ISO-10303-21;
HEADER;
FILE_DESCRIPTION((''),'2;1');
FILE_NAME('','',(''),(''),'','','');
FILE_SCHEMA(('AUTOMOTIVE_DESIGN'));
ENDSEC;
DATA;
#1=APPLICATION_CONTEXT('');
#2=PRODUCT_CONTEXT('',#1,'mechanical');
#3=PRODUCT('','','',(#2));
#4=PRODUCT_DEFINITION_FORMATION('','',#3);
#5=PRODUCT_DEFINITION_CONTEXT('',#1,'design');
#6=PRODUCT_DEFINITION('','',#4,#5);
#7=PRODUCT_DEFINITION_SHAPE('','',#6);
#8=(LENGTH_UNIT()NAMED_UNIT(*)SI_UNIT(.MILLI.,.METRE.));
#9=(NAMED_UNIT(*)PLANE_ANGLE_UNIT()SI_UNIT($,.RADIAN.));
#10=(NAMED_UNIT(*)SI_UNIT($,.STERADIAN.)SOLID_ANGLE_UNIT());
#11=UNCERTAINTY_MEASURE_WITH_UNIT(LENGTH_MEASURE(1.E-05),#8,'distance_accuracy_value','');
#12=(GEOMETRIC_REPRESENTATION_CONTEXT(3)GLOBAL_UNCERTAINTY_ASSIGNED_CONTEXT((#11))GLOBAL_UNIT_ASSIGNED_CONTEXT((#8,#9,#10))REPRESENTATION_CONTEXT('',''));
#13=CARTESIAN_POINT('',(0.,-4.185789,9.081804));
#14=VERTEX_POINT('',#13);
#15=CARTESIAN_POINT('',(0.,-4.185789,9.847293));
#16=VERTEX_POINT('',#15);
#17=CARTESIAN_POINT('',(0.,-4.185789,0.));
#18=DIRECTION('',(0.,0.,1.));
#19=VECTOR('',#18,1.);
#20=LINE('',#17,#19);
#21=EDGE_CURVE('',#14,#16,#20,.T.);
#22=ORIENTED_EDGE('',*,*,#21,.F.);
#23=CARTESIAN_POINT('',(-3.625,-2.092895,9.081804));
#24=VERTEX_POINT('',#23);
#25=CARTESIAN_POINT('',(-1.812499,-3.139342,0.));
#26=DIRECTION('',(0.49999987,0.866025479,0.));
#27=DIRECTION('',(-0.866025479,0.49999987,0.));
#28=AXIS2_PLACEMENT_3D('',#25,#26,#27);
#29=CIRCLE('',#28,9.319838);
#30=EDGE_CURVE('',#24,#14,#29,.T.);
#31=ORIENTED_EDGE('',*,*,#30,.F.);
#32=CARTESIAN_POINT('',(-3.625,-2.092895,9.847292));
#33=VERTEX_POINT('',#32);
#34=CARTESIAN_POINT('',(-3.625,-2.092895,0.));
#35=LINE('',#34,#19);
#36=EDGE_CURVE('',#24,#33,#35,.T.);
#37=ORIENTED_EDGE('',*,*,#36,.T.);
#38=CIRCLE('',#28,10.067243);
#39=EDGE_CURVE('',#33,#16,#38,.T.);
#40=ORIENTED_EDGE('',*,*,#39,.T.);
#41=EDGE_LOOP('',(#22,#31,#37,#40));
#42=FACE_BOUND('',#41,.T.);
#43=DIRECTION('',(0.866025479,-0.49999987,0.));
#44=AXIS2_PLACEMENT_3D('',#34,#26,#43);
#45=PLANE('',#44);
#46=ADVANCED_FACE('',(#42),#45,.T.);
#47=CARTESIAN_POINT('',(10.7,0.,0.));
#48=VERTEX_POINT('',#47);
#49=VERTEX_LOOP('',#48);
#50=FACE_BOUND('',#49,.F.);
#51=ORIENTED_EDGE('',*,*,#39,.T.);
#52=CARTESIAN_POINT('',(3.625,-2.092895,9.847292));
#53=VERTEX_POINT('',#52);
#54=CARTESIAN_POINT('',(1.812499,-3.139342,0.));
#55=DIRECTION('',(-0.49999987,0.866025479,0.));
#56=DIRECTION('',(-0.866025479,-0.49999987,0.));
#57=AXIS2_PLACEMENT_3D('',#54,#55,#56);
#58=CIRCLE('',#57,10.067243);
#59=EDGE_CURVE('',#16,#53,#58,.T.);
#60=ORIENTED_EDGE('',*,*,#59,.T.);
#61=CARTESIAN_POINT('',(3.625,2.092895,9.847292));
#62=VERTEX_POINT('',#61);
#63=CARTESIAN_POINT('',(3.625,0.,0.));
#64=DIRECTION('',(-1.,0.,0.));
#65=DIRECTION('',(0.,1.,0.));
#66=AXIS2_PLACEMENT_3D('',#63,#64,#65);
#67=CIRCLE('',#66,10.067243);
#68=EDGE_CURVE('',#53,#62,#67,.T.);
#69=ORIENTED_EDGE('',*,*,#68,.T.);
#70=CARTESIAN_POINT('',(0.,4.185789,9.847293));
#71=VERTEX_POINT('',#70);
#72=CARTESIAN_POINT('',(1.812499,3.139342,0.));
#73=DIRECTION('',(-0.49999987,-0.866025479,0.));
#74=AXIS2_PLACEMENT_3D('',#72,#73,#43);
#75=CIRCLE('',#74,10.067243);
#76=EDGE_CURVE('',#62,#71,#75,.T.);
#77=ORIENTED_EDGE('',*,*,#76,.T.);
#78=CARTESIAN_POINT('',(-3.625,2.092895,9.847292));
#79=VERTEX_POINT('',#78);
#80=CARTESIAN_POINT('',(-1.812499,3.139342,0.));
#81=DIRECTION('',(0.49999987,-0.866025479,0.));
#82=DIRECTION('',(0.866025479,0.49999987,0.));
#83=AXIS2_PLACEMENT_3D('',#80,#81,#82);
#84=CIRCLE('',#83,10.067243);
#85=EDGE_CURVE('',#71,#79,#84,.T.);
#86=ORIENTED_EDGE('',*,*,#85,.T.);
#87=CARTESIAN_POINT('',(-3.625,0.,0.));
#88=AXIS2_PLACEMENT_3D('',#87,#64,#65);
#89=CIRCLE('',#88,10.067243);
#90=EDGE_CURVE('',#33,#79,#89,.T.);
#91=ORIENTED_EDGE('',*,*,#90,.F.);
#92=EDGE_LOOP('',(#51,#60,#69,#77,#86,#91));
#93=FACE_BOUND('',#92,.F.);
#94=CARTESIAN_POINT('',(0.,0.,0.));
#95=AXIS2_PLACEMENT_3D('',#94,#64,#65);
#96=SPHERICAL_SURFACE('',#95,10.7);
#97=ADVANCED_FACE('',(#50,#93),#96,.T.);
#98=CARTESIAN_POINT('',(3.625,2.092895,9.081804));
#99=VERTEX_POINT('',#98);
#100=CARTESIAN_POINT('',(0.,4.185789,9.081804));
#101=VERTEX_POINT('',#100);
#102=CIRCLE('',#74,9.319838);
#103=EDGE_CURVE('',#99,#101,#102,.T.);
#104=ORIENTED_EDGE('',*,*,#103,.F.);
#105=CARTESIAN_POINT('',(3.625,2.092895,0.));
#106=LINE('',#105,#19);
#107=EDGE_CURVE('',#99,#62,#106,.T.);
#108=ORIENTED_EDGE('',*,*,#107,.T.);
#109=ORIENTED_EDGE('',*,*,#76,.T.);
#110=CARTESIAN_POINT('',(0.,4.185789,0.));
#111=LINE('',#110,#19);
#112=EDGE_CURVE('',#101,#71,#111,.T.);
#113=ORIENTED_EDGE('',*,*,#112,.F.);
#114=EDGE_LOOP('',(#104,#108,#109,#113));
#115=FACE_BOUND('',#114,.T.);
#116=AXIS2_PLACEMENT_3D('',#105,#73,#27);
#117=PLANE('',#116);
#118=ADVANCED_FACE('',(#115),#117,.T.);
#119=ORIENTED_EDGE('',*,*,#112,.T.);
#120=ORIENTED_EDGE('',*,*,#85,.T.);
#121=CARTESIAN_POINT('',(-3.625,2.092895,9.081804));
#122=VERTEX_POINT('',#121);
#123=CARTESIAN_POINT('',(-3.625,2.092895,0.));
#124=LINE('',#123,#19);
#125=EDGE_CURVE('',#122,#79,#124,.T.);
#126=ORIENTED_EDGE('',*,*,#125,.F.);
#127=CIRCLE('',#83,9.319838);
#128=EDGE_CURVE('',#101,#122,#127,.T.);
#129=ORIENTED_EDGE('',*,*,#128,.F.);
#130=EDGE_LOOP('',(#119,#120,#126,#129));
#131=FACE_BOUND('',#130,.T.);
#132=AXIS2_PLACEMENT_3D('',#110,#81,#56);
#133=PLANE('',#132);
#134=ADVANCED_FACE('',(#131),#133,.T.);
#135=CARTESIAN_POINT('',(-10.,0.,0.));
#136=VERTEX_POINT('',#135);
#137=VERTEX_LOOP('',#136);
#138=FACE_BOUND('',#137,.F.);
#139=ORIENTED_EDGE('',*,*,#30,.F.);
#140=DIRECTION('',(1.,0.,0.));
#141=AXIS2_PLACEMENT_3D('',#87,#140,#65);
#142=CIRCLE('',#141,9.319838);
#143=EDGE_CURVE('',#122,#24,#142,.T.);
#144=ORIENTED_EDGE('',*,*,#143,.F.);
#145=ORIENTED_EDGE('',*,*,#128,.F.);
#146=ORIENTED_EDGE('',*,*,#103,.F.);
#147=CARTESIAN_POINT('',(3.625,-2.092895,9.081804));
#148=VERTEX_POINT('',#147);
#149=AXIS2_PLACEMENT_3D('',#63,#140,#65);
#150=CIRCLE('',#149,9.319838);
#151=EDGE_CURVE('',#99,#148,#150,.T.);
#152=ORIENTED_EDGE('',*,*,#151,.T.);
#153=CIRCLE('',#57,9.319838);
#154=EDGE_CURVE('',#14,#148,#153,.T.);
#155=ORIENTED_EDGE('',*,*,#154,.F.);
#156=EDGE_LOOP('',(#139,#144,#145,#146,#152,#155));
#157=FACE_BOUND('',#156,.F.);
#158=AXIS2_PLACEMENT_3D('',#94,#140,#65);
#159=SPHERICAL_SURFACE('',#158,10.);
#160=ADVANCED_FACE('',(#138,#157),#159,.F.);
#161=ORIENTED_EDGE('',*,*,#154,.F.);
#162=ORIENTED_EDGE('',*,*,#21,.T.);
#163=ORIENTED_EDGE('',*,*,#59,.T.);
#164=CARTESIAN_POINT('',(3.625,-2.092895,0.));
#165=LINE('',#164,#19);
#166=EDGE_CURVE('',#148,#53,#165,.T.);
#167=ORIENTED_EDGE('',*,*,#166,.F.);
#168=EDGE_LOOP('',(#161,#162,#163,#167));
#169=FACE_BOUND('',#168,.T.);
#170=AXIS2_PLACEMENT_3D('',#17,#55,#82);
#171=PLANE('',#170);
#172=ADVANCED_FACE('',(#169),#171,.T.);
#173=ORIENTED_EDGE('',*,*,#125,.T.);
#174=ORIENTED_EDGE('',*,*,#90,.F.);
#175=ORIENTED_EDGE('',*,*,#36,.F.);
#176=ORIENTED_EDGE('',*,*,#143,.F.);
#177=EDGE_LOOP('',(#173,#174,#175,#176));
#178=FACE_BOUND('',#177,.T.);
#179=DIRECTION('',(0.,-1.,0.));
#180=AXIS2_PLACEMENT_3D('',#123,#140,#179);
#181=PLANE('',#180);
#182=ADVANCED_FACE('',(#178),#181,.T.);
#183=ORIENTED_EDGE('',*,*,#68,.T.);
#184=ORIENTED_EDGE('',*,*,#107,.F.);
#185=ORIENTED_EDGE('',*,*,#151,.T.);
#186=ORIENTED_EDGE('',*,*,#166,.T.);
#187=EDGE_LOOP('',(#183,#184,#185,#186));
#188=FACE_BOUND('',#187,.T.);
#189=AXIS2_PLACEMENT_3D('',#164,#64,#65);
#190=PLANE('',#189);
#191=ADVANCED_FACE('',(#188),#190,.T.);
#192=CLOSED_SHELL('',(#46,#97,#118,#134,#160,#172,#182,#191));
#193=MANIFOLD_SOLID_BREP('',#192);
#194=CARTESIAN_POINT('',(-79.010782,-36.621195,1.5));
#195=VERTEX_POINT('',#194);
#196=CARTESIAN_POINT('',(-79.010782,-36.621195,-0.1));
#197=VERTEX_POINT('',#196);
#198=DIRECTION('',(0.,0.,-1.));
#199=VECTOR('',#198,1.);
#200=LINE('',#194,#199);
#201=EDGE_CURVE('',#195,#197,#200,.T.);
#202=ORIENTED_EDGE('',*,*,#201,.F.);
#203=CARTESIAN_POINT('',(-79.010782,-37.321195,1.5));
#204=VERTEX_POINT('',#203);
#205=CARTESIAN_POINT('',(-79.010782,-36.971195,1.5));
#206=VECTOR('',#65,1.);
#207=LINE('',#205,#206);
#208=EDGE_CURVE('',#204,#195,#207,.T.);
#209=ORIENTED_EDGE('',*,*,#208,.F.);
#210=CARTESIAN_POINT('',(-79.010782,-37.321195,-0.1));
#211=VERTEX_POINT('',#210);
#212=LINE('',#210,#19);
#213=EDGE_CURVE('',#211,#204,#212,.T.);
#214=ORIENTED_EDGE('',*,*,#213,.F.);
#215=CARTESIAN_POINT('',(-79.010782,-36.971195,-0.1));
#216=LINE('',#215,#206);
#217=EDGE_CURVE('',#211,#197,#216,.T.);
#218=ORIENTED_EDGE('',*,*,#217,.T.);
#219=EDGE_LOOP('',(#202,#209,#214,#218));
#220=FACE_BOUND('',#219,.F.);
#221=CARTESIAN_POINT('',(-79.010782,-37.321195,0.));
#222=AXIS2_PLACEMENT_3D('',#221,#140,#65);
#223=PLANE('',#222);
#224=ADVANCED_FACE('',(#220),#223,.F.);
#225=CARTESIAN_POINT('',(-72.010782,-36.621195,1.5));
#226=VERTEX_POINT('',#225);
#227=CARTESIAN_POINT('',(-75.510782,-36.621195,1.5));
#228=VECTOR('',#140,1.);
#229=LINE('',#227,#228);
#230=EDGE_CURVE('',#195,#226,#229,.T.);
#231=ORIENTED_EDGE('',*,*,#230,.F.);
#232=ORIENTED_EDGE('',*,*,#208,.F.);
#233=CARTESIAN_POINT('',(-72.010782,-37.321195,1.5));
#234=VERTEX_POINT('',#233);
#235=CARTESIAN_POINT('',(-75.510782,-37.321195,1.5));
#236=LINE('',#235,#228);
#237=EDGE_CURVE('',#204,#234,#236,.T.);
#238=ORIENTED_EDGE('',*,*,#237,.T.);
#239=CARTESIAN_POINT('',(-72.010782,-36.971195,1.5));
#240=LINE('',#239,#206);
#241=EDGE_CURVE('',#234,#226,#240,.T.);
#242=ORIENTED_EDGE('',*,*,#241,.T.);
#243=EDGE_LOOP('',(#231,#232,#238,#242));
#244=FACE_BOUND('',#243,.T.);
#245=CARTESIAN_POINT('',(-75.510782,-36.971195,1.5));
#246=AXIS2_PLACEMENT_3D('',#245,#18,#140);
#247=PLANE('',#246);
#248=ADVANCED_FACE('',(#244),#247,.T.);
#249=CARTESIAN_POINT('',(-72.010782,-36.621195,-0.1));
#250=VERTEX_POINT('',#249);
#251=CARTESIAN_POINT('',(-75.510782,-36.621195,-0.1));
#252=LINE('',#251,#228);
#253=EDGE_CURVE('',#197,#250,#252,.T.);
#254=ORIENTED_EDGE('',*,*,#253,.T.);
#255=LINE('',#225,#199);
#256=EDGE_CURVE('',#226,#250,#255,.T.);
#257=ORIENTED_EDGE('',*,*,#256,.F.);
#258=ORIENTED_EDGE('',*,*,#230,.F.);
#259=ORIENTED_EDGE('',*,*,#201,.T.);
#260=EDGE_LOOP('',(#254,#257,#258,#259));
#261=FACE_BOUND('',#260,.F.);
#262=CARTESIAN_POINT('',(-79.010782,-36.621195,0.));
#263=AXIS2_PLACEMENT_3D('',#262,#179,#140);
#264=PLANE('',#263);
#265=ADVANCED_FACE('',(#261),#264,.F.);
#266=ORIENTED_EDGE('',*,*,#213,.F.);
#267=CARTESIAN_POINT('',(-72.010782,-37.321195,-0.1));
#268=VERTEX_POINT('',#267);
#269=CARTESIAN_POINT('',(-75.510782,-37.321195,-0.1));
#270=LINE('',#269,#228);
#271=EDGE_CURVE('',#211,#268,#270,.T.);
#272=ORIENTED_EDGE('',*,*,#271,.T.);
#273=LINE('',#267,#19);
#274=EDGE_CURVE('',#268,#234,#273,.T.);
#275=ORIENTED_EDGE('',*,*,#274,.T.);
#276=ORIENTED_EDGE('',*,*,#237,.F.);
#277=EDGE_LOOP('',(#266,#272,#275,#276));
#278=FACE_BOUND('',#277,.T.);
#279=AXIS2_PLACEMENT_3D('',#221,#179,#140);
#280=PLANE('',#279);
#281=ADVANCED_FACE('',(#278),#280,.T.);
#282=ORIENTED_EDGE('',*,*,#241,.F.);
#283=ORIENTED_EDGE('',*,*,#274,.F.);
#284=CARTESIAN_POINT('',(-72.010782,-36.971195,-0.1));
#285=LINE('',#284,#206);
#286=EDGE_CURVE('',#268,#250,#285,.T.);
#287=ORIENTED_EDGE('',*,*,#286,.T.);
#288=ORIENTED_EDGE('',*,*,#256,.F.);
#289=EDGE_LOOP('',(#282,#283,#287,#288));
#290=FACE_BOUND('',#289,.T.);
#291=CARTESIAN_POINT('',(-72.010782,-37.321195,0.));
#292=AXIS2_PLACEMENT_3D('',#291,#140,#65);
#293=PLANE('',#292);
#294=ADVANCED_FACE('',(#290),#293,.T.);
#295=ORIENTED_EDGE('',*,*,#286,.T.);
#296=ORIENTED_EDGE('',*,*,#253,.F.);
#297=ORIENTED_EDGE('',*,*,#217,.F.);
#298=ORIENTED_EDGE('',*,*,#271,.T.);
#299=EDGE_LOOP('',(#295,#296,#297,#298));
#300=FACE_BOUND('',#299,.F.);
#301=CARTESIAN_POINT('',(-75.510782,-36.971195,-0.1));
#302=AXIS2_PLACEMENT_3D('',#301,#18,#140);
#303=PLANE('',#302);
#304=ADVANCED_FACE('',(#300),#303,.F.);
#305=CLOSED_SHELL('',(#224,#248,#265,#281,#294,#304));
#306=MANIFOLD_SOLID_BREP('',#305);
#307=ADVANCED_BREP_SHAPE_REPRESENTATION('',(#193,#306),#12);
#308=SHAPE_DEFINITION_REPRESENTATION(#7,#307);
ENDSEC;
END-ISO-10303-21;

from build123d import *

# Parameters (mm, degrees)
F3_DEPTH      = 25
F4_W          = 7
F4_H          = 0.7
F5_DEPTH      = 1.5
F5_DEPTH_BACK = 0.1


with BuildPart() as f2:
    # F0 (on Top) → F2 (revolve)
    with BuildSketch(Plane.XY):
        with BuildLine():
            ThreePointArc((-10, 0), (0, 10), (10, 0))
            Line((10, 0), (10.7, 0))
            ThreePointArc((10.7, 0), (0, 10.7), (-10.7, 0))
            Line((-10.7, 0), (-10, 0))
        make_face()
    revolve(axis=Axis((-10.35, 0, 0), (1, 0, 0)))

    # F1 (on face) → F3 (cut)
    with BuildSketch(Plane.XY):
        Polygon((3.625, -2.092895), (3.625, 2.092895), (0, 4.185789), (-3.625, 2.092895), (-3.625, -2.092895), (0, -4.185789), align=None)
    extrude(amount=F3_DEPTH, mode=Mode.SUBTRACT)


with BuildPart() as f5:
    # F4 (on Top) → F5 (new body, two sides)
    with BuildSketch(Plane.XY) as f5_sk:
        with Locations((-75.510782, -36.971195)):
            Rectangle(F4_W, F4_H)
    extrude(amount=F5_DEPTH)
    extrude(f5_sk.sketch, amount=-F5_DEPTH_BACK)


solid = Compound([f2.part, f5.part])
